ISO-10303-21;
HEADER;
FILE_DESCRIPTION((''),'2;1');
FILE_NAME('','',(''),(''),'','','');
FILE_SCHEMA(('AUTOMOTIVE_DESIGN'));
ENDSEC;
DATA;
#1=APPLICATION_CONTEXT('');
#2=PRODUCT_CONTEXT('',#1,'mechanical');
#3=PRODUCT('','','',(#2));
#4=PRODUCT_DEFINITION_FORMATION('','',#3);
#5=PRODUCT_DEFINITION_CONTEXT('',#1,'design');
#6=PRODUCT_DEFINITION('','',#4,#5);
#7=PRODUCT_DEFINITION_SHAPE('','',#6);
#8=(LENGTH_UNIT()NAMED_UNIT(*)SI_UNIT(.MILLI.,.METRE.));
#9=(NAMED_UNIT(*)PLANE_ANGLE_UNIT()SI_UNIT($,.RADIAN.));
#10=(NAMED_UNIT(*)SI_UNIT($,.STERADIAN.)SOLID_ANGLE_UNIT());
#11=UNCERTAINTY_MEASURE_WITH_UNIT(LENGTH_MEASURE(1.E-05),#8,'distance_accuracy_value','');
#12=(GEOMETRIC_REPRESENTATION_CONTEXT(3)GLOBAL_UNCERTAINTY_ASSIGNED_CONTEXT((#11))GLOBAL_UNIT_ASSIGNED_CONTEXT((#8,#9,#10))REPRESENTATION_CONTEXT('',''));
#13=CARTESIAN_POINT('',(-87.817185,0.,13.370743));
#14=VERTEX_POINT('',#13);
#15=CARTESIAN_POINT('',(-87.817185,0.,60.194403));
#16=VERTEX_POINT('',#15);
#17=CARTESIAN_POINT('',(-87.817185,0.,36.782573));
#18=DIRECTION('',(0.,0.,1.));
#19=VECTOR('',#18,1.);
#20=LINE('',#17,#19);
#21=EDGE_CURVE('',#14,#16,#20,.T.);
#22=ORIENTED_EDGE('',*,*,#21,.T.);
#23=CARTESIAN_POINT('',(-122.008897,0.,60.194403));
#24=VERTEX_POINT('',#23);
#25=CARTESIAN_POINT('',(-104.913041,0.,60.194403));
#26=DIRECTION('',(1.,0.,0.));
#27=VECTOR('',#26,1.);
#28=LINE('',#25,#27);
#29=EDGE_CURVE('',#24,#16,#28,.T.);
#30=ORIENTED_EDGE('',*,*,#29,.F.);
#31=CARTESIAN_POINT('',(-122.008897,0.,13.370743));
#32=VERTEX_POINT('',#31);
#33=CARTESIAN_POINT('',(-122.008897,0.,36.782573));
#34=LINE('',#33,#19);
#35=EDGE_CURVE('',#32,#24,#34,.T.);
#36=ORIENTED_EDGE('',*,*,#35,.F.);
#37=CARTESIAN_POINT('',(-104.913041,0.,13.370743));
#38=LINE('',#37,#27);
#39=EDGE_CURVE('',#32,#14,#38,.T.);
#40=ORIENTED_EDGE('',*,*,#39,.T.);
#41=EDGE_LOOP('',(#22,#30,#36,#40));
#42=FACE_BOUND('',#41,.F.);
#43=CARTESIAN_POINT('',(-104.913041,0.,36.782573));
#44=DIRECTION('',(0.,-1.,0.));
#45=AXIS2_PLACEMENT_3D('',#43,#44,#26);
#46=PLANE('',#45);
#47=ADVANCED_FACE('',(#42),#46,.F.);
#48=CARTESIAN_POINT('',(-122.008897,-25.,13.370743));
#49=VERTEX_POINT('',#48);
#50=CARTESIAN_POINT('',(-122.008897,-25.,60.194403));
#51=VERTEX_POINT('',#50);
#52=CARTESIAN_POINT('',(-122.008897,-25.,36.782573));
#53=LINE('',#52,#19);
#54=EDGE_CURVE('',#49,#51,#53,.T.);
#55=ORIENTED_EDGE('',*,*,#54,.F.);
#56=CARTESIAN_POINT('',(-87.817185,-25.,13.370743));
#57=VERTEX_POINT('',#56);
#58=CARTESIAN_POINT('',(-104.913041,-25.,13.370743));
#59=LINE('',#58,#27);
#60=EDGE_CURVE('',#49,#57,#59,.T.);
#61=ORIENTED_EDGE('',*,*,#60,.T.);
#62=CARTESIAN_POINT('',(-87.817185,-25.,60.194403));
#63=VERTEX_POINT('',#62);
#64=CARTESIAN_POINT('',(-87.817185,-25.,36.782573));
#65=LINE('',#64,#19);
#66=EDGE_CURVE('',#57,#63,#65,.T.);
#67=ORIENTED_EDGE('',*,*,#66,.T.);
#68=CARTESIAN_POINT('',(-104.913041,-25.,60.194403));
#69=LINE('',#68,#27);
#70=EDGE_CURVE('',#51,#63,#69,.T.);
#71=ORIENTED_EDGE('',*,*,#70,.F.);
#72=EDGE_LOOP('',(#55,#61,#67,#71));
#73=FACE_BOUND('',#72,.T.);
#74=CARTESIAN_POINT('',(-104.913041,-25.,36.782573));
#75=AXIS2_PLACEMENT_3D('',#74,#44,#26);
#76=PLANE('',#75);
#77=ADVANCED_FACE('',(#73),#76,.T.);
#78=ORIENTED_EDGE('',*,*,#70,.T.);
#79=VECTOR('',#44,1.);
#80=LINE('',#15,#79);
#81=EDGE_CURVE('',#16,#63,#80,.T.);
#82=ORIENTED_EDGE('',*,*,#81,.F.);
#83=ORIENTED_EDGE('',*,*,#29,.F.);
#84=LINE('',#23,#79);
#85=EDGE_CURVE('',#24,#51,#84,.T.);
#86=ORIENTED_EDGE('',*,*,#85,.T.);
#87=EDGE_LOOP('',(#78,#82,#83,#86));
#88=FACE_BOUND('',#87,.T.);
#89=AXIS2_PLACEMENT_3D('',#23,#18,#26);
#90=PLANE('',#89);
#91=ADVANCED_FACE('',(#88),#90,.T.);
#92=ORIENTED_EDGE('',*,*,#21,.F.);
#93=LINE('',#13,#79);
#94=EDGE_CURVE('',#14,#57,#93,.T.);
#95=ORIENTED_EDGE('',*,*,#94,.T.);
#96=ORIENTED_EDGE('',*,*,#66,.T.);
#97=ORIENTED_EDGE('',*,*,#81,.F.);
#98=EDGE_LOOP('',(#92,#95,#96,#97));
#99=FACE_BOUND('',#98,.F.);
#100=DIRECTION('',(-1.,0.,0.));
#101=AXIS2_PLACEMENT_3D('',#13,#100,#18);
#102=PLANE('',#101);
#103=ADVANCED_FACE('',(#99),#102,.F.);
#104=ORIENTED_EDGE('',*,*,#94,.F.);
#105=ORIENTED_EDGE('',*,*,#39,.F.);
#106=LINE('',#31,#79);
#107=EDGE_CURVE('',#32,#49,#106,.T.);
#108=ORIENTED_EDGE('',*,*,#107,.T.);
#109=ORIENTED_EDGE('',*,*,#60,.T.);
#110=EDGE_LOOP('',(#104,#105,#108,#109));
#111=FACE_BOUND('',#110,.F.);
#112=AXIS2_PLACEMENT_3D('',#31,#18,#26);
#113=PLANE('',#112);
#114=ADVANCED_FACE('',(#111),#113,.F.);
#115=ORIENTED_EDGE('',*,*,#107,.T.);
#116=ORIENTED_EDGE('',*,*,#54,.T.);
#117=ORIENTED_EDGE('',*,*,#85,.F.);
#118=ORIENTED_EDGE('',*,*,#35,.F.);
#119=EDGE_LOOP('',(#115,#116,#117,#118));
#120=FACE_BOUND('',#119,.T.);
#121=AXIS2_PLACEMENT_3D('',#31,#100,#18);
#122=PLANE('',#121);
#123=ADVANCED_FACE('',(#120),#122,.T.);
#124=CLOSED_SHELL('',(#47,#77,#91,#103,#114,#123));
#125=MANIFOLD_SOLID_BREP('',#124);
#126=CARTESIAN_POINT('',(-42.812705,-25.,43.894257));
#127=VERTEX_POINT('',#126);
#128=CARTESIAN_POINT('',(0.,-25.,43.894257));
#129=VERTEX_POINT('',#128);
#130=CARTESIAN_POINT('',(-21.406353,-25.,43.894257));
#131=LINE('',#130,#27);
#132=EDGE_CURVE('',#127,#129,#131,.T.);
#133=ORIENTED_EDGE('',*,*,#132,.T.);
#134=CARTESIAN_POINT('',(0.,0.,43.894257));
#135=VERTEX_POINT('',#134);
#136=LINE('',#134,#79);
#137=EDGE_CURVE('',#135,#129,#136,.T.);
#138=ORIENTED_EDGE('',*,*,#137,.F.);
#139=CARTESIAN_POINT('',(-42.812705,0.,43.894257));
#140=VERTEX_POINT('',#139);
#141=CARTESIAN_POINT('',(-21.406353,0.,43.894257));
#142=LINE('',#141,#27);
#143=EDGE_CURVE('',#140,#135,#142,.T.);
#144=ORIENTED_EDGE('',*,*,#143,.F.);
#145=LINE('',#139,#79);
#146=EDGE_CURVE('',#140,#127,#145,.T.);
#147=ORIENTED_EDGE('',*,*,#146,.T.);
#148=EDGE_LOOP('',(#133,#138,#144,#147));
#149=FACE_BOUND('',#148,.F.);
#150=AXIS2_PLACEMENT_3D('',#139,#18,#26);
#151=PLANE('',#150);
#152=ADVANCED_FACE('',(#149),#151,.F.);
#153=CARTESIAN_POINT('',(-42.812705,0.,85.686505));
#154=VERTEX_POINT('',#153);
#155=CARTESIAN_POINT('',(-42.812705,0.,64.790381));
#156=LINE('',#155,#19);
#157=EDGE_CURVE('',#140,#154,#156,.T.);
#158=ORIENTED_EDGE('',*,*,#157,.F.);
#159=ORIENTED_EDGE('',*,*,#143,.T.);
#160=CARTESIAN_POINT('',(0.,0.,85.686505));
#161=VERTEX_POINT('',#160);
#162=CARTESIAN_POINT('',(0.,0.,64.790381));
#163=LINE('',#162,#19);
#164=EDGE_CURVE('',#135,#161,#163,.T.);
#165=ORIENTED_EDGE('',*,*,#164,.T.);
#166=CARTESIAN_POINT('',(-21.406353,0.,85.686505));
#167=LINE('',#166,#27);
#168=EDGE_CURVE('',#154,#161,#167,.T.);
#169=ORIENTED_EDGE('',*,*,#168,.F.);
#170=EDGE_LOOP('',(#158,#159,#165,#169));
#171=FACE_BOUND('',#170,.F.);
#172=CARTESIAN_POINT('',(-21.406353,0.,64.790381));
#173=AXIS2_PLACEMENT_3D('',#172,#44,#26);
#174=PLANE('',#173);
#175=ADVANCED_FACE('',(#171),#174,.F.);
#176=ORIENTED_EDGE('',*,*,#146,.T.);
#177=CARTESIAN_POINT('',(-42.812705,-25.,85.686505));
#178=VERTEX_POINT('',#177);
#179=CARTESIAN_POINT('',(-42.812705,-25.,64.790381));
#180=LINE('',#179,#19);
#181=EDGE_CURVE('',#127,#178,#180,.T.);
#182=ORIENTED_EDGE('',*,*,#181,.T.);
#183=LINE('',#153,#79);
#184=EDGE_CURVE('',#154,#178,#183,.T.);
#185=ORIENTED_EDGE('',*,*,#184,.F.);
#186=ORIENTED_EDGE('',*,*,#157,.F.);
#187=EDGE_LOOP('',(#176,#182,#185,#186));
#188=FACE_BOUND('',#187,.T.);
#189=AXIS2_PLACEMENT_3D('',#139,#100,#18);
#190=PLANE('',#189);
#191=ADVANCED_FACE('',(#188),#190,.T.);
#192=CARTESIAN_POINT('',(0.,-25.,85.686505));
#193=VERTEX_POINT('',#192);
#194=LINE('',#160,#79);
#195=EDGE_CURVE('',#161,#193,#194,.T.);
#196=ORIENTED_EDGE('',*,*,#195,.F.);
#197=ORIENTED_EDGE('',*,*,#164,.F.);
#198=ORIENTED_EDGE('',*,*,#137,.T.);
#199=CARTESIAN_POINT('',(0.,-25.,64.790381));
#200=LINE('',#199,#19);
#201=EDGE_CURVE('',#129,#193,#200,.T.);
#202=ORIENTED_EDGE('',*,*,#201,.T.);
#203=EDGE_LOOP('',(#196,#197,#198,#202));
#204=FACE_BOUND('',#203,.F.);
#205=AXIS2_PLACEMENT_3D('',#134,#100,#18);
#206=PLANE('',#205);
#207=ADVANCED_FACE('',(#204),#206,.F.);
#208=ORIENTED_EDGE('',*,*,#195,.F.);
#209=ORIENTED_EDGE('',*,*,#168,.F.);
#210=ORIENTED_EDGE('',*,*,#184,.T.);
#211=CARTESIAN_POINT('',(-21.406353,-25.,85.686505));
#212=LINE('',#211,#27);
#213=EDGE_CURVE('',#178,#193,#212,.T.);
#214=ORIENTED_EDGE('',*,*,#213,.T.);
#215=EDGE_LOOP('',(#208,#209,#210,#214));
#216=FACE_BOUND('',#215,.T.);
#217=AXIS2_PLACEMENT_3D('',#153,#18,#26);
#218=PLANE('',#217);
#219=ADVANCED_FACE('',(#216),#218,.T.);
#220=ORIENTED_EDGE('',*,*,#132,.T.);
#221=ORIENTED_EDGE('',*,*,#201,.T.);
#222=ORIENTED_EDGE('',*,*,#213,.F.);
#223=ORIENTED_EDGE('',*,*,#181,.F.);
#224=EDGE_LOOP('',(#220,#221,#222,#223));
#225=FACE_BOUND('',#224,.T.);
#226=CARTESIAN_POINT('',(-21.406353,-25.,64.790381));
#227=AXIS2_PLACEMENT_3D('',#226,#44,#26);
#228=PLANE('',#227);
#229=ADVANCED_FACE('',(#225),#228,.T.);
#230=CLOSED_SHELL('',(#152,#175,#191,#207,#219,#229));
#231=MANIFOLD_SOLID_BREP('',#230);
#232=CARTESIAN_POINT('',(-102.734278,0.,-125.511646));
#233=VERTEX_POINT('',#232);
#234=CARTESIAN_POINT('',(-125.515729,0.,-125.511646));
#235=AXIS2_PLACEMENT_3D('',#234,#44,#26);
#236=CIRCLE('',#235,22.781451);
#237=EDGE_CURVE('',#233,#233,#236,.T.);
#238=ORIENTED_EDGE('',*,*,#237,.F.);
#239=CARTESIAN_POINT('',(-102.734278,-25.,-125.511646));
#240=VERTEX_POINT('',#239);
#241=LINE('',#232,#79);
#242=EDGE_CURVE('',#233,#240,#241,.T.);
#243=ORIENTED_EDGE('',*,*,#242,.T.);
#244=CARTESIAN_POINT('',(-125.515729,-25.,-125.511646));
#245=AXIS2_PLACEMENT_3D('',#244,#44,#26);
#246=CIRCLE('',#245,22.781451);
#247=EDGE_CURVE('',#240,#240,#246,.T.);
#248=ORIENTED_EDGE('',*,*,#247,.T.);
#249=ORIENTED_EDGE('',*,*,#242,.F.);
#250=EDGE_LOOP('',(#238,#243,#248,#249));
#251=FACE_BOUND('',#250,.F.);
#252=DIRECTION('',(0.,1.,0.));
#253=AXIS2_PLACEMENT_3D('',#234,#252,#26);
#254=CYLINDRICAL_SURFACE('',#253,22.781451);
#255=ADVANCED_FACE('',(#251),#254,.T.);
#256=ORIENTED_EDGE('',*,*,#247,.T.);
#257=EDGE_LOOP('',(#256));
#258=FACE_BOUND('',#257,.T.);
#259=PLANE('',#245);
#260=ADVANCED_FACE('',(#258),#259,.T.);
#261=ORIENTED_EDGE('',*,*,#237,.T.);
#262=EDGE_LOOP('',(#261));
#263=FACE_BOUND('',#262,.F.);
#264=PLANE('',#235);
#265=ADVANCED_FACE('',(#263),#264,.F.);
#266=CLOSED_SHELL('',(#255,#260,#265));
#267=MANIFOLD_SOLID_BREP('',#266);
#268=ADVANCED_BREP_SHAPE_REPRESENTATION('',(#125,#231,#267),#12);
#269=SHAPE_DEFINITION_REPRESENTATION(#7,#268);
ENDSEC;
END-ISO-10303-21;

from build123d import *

# Parameters (mm, degrees)
F0_W     = 34.191712
F0_H     = 46.82366
F0_W_2   = 42.812705
F0_H_2   = 41.792248
F1_DEPTH = 25
F2_R     = 22.781451
F3_DEPTH = 25


with BuildPart() as f1:
    # F0 (on Front) → F1 (new body)
    with BuildSketch(Plane.XZ):
        with Locations((-104.913041, 36.782573)):
            Rectangle(F0_W, F0_H)
        with Locations((-21.406353, 64.790381)):
            Rectangle(F0_W_2, F0_H_2)
    extrude(amount=F1_DEPTH)


with BuildPart() as f3:
    # F2 (on Front) → F3 (new body)
    with BuildSketch(Plane.XZ):
        with Locations((-125.515729, -125.511646)):
            Circle(F2_R)
    extrude(amount=F3_DEPTH)


solid = Compound([f1.part, f3.part])
